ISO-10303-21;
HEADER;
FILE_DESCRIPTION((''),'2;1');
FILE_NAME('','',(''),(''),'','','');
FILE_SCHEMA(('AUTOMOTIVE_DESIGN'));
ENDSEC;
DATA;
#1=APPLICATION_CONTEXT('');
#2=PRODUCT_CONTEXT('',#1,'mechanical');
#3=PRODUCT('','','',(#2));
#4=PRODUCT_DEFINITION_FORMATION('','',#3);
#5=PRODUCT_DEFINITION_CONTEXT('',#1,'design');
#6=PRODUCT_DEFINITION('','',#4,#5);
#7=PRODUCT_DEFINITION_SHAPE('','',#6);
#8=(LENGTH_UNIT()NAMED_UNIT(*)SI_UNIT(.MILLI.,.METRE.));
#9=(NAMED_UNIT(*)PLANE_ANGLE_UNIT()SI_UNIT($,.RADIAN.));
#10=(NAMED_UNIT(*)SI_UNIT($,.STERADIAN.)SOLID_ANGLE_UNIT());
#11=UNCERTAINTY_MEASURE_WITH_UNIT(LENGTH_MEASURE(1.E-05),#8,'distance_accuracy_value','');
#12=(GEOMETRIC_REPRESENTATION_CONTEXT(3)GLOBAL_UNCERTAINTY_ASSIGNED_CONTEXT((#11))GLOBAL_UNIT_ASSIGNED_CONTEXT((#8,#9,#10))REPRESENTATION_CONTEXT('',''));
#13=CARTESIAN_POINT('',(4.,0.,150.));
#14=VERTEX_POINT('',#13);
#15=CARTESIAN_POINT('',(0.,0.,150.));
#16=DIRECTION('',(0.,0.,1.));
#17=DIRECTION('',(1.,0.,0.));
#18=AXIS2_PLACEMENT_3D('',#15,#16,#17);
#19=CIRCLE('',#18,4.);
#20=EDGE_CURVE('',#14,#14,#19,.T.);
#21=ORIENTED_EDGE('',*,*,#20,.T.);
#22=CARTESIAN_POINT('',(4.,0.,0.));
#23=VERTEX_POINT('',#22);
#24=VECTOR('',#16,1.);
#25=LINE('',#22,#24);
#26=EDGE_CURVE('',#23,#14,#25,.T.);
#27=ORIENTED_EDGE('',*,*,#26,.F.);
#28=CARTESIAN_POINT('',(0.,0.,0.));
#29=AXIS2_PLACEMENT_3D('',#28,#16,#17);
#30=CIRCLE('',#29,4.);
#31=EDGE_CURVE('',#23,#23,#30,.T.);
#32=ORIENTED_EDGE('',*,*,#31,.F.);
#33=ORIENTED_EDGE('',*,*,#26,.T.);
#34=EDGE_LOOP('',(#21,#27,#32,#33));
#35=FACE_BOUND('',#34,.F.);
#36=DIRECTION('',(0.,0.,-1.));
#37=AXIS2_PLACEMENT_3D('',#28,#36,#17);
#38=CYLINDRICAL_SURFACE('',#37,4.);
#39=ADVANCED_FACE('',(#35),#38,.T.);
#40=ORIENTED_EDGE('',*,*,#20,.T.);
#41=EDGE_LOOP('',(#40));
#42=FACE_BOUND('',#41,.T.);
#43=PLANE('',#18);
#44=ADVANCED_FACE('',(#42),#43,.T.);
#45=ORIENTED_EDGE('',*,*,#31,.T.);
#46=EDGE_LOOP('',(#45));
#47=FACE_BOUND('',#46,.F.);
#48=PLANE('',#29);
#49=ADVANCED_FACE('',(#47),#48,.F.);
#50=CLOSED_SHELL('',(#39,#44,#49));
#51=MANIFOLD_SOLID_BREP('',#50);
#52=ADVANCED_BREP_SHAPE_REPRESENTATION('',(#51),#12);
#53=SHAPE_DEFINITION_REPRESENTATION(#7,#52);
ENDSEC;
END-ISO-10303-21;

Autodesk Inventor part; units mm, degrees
ref_plane "YZ Plane" through (0, 0, 0) normal (1, 0, 0) x (0, 1, 0)
ref_plane "XZ Plane" through (0, 0, 0) normal (0, 1, 0) x (-1, 0, 0)
ref_plane "XY Plane" through (0, 0, 0) normal (0, 0, 1) x (1, 0, 0)
sketch "Sketch1" plane through (0, 0, 0) normal (0, 0, 1) x (1, 0, 0)
  circle A0 centre (0, 0) radius 4
  dimension "d0" = 8
  dimension "d0" = 8
extrude "Extrusion1" add sketch "Sketch1" along normal blind 150
properties part number "CatFeather"
